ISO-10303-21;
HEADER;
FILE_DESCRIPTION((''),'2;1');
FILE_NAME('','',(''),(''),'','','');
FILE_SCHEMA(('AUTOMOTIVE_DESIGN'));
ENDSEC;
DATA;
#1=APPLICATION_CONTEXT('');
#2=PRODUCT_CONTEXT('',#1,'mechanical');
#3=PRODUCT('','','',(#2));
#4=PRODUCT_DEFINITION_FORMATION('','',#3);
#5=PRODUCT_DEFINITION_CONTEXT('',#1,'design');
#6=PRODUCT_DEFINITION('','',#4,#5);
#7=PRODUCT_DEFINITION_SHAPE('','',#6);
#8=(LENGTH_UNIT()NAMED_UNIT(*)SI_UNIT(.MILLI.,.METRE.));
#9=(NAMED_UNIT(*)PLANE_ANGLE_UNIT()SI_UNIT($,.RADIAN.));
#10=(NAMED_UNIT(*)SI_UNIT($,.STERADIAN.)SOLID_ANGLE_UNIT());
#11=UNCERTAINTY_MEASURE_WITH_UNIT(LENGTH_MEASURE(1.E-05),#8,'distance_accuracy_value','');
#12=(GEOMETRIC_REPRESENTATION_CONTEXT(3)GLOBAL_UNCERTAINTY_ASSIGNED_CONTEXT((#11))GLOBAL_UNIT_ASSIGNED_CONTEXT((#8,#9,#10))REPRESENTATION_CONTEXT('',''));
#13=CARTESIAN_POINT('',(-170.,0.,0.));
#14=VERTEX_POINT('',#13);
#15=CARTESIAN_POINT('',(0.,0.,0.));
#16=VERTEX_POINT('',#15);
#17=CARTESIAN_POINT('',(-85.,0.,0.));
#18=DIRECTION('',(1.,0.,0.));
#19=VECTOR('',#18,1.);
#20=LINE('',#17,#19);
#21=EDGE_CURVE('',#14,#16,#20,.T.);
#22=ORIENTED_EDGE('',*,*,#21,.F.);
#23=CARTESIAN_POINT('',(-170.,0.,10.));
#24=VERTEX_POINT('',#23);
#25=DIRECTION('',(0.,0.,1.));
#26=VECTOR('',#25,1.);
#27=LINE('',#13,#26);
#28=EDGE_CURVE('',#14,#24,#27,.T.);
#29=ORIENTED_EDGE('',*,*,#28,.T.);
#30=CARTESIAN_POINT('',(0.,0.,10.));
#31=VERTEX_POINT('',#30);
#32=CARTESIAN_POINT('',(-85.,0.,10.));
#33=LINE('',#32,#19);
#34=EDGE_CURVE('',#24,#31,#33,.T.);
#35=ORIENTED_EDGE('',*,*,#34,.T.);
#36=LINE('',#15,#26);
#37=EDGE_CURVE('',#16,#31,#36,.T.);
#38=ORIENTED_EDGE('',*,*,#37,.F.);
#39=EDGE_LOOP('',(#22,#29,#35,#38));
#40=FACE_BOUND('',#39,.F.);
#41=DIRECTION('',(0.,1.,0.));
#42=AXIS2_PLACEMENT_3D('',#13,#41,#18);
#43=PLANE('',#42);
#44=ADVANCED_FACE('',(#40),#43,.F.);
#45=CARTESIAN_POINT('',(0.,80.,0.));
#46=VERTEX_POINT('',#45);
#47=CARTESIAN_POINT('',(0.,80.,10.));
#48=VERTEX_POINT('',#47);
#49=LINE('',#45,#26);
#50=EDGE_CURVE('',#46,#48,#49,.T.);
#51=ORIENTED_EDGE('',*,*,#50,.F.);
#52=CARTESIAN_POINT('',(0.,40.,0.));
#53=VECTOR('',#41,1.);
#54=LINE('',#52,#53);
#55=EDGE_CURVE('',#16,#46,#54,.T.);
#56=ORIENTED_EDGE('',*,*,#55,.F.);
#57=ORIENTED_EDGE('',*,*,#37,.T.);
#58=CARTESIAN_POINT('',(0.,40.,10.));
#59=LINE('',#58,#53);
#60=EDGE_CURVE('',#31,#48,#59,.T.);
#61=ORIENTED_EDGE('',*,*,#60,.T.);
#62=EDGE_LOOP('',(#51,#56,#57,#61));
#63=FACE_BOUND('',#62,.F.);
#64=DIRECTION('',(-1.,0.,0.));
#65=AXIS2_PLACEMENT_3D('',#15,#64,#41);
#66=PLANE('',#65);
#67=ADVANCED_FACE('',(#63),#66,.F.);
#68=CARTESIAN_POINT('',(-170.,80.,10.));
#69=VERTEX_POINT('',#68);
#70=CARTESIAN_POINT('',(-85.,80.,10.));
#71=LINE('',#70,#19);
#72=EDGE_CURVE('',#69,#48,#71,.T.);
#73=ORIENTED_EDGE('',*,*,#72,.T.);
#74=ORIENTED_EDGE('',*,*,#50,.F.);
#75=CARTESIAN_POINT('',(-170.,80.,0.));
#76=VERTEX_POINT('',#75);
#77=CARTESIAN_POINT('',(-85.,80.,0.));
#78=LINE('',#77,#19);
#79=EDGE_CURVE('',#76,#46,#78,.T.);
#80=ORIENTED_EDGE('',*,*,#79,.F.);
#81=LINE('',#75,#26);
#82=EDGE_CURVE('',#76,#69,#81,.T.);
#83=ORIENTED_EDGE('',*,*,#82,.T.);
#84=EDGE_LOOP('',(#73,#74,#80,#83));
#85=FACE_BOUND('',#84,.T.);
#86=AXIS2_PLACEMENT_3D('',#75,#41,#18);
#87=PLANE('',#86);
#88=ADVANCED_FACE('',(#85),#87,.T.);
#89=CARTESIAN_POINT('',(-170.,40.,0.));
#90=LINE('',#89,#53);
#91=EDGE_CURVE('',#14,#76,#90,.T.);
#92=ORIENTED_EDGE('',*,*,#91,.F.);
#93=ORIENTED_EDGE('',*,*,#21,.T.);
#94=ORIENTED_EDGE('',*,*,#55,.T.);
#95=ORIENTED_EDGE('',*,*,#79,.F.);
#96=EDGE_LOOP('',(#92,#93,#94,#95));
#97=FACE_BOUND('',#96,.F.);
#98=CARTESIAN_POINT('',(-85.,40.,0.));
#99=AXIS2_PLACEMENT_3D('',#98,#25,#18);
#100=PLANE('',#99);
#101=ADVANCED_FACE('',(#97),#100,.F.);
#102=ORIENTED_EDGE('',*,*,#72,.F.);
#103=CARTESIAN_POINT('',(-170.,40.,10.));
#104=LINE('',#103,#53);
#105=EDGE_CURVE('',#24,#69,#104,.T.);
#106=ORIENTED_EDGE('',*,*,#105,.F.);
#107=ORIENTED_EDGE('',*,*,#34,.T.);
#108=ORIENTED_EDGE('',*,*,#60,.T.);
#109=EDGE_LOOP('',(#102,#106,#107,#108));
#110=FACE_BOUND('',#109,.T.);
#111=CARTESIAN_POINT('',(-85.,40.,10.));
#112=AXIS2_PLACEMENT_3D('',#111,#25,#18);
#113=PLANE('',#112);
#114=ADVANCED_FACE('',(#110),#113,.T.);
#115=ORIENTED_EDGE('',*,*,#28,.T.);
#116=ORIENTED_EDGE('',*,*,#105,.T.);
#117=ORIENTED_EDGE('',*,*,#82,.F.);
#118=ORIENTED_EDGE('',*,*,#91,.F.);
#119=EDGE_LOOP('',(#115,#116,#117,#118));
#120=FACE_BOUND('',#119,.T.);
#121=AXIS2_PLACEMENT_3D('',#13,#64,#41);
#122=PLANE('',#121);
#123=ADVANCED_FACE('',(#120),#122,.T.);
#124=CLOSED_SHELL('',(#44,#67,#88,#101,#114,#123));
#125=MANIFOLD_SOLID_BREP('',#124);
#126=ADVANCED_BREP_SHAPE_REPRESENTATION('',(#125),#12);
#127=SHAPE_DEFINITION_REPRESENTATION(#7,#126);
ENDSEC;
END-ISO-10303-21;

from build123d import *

# Parameters (mm, degrees)
SKETCH_W  = 170
SKETCH_H  = 80
PAD_DEPTH = 10


with BuildPart() as part:
    # Sketch → Pad (new body)
    with BuildSketch(Plane.XY):
        with Locations((-85, 40)):
            Rectangle(SKETCH_W, SKETCH_H)
    extrude(amount=PAD_DEPTH)


solid = part.part
